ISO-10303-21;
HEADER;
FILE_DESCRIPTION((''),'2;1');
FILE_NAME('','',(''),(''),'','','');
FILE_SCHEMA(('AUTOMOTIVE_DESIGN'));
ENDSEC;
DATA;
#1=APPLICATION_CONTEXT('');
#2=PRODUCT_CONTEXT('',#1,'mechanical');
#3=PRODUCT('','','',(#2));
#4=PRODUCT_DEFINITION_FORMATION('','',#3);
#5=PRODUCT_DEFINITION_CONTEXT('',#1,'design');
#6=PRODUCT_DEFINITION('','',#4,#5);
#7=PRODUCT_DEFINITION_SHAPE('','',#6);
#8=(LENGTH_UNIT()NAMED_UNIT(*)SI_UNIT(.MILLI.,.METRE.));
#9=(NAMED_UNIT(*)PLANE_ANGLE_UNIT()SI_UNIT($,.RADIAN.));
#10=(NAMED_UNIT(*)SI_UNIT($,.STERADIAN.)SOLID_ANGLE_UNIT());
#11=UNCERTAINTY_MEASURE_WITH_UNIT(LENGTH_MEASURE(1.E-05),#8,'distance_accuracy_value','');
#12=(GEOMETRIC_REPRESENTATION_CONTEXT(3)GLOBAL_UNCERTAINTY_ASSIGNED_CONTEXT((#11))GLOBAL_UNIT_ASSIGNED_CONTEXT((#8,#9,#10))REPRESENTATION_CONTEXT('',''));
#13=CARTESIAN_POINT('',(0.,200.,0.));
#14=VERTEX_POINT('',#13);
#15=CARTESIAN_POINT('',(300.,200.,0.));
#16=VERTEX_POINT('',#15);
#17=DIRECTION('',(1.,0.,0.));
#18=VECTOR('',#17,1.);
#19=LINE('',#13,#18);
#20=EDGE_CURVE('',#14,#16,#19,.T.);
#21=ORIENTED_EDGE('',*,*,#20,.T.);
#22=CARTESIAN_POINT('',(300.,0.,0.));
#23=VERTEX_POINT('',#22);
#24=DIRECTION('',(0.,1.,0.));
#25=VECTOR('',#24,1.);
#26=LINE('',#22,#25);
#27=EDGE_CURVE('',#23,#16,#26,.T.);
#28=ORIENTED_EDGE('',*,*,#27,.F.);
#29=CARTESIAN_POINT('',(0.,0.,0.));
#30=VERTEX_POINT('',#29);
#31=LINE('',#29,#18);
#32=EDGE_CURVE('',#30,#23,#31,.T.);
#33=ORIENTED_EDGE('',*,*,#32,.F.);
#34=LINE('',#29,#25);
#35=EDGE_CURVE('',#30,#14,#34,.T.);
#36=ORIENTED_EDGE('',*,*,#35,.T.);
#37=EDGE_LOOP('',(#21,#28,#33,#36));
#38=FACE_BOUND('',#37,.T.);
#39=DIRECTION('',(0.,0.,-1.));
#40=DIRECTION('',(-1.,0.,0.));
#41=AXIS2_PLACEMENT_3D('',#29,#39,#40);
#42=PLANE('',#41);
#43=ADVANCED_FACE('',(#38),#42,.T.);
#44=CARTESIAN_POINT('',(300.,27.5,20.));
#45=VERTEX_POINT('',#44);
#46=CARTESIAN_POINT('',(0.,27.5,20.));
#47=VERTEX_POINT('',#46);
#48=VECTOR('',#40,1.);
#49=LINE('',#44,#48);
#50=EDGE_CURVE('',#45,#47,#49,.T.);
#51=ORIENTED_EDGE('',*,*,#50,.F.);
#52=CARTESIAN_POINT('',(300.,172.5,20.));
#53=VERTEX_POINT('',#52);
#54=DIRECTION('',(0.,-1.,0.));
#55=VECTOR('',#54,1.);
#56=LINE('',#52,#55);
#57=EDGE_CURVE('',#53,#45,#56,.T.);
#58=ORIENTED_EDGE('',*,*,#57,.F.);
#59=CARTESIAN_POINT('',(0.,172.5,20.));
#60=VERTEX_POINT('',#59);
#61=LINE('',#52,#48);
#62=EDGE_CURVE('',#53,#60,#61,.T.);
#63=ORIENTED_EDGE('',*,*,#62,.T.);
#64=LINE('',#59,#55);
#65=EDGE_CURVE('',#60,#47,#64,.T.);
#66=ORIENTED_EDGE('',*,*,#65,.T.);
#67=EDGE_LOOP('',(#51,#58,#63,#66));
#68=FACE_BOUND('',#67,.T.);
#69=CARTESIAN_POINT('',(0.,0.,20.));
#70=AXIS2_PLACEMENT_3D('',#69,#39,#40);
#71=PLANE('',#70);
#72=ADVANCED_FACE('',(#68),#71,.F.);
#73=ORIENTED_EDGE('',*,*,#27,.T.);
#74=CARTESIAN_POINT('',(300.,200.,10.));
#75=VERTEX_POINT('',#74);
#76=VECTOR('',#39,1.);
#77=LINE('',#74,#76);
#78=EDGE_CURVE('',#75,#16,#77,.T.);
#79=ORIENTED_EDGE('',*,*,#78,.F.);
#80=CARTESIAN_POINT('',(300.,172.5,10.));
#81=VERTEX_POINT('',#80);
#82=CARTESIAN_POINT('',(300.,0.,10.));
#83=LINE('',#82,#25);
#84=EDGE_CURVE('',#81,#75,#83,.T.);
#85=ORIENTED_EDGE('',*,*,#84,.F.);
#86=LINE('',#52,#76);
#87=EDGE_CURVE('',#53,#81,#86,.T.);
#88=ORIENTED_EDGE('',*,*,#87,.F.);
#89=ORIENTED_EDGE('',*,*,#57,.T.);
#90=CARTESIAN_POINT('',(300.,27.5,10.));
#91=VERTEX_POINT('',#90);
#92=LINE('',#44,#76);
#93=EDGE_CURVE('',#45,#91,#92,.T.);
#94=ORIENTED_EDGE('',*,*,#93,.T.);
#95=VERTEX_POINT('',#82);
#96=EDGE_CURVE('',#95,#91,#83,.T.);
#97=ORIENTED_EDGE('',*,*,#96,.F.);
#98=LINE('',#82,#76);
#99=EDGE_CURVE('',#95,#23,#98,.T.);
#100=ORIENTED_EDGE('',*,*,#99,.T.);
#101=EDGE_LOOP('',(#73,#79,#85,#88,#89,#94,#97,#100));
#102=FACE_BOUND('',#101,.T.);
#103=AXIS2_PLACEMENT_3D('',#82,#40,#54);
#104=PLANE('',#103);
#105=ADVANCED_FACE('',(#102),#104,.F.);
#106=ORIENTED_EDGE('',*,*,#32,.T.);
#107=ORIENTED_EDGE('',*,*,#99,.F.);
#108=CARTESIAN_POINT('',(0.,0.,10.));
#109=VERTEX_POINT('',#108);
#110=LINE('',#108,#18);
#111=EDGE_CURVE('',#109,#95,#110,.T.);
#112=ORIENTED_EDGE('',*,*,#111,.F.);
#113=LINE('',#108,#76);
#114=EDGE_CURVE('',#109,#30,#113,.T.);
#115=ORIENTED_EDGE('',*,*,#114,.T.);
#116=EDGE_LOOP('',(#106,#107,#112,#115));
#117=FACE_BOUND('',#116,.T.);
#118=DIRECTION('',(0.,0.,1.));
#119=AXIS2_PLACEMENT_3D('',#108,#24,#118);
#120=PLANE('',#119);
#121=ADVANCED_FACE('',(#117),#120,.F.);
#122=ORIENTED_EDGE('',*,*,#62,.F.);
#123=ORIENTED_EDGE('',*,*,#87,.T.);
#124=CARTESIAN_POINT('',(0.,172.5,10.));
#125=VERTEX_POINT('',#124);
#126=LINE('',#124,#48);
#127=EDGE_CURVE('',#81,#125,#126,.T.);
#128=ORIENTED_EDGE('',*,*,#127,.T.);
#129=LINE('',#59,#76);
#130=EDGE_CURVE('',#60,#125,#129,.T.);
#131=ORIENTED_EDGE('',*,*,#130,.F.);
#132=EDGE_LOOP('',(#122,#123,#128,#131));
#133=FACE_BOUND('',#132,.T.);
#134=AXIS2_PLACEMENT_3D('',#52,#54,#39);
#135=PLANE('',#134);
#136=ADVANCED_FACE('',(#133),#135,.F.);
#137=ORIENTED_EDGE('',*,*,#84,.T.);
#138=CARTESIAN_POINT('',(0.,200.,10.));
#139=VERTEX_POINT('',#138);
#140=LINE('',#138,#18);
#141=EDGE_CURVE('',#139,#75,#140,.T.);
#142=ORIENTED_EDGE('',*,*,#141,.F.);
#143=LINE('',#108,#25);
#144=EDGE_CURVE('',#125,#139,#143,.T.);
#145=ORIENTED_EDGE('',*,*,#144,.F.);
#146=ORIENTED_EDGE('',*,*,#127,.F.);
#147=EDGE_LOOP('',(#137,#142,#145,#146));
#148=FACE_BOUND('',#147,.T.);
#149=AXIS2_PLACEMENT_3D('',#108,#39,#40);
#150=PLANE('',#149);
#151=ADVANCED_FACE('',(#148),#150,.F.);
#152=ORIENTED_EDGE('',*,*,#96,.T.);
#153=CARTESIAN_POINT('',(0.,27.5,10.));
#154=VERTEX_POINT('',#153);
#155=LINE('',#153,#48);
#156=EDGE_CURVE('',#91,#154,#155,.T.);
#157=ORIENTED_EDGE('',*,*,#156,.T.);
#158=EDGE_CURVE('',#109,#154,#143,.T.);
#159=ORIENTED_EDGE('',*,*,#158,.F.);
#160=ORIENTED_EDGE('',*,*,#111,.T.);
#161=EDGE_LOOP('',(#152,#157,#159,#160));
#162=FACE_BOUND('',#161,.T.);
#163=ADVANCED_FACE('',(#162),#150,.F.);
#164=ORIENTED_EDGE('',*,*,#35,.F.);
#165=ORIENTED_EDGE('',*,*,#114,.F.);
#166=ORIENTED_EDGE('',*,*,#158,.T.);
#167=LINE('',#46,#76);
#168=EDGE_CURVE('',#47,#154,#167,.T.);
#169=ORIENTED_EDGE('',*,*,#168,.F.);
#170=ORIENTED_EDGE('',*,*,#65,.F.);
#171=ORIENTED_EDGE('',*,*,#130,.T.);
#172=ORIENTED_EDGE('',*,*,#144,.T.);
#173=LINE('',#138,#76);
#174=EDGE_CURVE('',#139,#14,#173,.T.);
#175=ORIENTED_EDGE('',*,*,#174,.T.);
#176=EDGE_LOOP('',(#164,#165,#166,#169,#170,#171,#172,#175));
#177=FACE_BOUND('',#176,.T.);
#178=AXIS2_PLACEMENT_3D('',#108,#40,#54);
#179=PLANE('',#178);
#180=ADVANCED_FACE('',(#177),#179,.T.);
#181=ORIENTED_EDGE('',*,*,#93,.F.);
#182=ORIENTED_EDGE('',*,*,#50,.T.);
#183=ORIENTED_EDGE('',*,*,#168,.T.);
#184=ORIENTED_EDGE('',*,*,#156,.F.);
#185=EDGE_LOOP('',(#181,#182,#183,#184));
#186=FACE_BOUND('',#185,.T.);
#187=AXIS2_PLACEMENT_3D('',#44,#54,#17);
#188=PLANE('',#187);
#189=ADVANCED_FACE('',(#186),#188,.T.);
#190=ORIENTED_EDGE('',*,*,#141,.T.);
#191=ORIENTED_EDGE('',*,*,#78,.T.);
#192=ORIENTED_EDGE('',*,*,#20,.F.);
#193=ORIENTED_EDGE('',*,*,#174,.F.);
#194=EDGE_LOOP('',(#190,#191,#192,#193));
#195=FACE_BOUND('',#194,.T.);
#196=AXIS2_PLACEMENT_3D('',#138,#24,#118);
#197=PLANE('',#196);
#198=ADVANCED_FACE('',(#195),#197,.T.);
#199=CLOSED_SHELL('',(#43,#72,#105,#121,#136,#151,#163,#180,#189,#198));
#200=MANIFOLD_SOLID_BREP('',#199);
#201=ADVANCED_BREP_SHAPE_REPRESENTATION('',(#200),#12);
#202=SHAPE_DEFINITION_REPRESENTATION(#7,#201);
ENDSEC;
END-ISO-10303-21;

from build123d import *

# Parameters (mm, degrees)
SKETCH1_W           = 300
SKETCH1_H           = 200
BOSS_EXTRUDE1_DEPTH = 10
SKETCH1_3_W         = 300
SKETCH1_3_H         = 145
BOSS_EXTRUDE2_DEPTH = 20


with BuildPart() as part:
    # Sketch1 → Boss-Extrude1 (new body)
    with BuildSketch(Plane.XY):
        with Locations((150, 100)):
            Rectangle(SKETCH1_W, SKETCH1_H)
    extrude(amount=BOSS_EXTRUDE1_DEPTH)

    # Sketch1<3> → Boss-Extrude2 (add)
    with BuildSketch(Plane.XY):
        with Locations((150, 100)):
            Rectangle(SKETCH1_3_W, SKETCH1_3_H)
    extrude(amount=BOSS_EXTRUDE2_DEPTH)


solid = part.part
